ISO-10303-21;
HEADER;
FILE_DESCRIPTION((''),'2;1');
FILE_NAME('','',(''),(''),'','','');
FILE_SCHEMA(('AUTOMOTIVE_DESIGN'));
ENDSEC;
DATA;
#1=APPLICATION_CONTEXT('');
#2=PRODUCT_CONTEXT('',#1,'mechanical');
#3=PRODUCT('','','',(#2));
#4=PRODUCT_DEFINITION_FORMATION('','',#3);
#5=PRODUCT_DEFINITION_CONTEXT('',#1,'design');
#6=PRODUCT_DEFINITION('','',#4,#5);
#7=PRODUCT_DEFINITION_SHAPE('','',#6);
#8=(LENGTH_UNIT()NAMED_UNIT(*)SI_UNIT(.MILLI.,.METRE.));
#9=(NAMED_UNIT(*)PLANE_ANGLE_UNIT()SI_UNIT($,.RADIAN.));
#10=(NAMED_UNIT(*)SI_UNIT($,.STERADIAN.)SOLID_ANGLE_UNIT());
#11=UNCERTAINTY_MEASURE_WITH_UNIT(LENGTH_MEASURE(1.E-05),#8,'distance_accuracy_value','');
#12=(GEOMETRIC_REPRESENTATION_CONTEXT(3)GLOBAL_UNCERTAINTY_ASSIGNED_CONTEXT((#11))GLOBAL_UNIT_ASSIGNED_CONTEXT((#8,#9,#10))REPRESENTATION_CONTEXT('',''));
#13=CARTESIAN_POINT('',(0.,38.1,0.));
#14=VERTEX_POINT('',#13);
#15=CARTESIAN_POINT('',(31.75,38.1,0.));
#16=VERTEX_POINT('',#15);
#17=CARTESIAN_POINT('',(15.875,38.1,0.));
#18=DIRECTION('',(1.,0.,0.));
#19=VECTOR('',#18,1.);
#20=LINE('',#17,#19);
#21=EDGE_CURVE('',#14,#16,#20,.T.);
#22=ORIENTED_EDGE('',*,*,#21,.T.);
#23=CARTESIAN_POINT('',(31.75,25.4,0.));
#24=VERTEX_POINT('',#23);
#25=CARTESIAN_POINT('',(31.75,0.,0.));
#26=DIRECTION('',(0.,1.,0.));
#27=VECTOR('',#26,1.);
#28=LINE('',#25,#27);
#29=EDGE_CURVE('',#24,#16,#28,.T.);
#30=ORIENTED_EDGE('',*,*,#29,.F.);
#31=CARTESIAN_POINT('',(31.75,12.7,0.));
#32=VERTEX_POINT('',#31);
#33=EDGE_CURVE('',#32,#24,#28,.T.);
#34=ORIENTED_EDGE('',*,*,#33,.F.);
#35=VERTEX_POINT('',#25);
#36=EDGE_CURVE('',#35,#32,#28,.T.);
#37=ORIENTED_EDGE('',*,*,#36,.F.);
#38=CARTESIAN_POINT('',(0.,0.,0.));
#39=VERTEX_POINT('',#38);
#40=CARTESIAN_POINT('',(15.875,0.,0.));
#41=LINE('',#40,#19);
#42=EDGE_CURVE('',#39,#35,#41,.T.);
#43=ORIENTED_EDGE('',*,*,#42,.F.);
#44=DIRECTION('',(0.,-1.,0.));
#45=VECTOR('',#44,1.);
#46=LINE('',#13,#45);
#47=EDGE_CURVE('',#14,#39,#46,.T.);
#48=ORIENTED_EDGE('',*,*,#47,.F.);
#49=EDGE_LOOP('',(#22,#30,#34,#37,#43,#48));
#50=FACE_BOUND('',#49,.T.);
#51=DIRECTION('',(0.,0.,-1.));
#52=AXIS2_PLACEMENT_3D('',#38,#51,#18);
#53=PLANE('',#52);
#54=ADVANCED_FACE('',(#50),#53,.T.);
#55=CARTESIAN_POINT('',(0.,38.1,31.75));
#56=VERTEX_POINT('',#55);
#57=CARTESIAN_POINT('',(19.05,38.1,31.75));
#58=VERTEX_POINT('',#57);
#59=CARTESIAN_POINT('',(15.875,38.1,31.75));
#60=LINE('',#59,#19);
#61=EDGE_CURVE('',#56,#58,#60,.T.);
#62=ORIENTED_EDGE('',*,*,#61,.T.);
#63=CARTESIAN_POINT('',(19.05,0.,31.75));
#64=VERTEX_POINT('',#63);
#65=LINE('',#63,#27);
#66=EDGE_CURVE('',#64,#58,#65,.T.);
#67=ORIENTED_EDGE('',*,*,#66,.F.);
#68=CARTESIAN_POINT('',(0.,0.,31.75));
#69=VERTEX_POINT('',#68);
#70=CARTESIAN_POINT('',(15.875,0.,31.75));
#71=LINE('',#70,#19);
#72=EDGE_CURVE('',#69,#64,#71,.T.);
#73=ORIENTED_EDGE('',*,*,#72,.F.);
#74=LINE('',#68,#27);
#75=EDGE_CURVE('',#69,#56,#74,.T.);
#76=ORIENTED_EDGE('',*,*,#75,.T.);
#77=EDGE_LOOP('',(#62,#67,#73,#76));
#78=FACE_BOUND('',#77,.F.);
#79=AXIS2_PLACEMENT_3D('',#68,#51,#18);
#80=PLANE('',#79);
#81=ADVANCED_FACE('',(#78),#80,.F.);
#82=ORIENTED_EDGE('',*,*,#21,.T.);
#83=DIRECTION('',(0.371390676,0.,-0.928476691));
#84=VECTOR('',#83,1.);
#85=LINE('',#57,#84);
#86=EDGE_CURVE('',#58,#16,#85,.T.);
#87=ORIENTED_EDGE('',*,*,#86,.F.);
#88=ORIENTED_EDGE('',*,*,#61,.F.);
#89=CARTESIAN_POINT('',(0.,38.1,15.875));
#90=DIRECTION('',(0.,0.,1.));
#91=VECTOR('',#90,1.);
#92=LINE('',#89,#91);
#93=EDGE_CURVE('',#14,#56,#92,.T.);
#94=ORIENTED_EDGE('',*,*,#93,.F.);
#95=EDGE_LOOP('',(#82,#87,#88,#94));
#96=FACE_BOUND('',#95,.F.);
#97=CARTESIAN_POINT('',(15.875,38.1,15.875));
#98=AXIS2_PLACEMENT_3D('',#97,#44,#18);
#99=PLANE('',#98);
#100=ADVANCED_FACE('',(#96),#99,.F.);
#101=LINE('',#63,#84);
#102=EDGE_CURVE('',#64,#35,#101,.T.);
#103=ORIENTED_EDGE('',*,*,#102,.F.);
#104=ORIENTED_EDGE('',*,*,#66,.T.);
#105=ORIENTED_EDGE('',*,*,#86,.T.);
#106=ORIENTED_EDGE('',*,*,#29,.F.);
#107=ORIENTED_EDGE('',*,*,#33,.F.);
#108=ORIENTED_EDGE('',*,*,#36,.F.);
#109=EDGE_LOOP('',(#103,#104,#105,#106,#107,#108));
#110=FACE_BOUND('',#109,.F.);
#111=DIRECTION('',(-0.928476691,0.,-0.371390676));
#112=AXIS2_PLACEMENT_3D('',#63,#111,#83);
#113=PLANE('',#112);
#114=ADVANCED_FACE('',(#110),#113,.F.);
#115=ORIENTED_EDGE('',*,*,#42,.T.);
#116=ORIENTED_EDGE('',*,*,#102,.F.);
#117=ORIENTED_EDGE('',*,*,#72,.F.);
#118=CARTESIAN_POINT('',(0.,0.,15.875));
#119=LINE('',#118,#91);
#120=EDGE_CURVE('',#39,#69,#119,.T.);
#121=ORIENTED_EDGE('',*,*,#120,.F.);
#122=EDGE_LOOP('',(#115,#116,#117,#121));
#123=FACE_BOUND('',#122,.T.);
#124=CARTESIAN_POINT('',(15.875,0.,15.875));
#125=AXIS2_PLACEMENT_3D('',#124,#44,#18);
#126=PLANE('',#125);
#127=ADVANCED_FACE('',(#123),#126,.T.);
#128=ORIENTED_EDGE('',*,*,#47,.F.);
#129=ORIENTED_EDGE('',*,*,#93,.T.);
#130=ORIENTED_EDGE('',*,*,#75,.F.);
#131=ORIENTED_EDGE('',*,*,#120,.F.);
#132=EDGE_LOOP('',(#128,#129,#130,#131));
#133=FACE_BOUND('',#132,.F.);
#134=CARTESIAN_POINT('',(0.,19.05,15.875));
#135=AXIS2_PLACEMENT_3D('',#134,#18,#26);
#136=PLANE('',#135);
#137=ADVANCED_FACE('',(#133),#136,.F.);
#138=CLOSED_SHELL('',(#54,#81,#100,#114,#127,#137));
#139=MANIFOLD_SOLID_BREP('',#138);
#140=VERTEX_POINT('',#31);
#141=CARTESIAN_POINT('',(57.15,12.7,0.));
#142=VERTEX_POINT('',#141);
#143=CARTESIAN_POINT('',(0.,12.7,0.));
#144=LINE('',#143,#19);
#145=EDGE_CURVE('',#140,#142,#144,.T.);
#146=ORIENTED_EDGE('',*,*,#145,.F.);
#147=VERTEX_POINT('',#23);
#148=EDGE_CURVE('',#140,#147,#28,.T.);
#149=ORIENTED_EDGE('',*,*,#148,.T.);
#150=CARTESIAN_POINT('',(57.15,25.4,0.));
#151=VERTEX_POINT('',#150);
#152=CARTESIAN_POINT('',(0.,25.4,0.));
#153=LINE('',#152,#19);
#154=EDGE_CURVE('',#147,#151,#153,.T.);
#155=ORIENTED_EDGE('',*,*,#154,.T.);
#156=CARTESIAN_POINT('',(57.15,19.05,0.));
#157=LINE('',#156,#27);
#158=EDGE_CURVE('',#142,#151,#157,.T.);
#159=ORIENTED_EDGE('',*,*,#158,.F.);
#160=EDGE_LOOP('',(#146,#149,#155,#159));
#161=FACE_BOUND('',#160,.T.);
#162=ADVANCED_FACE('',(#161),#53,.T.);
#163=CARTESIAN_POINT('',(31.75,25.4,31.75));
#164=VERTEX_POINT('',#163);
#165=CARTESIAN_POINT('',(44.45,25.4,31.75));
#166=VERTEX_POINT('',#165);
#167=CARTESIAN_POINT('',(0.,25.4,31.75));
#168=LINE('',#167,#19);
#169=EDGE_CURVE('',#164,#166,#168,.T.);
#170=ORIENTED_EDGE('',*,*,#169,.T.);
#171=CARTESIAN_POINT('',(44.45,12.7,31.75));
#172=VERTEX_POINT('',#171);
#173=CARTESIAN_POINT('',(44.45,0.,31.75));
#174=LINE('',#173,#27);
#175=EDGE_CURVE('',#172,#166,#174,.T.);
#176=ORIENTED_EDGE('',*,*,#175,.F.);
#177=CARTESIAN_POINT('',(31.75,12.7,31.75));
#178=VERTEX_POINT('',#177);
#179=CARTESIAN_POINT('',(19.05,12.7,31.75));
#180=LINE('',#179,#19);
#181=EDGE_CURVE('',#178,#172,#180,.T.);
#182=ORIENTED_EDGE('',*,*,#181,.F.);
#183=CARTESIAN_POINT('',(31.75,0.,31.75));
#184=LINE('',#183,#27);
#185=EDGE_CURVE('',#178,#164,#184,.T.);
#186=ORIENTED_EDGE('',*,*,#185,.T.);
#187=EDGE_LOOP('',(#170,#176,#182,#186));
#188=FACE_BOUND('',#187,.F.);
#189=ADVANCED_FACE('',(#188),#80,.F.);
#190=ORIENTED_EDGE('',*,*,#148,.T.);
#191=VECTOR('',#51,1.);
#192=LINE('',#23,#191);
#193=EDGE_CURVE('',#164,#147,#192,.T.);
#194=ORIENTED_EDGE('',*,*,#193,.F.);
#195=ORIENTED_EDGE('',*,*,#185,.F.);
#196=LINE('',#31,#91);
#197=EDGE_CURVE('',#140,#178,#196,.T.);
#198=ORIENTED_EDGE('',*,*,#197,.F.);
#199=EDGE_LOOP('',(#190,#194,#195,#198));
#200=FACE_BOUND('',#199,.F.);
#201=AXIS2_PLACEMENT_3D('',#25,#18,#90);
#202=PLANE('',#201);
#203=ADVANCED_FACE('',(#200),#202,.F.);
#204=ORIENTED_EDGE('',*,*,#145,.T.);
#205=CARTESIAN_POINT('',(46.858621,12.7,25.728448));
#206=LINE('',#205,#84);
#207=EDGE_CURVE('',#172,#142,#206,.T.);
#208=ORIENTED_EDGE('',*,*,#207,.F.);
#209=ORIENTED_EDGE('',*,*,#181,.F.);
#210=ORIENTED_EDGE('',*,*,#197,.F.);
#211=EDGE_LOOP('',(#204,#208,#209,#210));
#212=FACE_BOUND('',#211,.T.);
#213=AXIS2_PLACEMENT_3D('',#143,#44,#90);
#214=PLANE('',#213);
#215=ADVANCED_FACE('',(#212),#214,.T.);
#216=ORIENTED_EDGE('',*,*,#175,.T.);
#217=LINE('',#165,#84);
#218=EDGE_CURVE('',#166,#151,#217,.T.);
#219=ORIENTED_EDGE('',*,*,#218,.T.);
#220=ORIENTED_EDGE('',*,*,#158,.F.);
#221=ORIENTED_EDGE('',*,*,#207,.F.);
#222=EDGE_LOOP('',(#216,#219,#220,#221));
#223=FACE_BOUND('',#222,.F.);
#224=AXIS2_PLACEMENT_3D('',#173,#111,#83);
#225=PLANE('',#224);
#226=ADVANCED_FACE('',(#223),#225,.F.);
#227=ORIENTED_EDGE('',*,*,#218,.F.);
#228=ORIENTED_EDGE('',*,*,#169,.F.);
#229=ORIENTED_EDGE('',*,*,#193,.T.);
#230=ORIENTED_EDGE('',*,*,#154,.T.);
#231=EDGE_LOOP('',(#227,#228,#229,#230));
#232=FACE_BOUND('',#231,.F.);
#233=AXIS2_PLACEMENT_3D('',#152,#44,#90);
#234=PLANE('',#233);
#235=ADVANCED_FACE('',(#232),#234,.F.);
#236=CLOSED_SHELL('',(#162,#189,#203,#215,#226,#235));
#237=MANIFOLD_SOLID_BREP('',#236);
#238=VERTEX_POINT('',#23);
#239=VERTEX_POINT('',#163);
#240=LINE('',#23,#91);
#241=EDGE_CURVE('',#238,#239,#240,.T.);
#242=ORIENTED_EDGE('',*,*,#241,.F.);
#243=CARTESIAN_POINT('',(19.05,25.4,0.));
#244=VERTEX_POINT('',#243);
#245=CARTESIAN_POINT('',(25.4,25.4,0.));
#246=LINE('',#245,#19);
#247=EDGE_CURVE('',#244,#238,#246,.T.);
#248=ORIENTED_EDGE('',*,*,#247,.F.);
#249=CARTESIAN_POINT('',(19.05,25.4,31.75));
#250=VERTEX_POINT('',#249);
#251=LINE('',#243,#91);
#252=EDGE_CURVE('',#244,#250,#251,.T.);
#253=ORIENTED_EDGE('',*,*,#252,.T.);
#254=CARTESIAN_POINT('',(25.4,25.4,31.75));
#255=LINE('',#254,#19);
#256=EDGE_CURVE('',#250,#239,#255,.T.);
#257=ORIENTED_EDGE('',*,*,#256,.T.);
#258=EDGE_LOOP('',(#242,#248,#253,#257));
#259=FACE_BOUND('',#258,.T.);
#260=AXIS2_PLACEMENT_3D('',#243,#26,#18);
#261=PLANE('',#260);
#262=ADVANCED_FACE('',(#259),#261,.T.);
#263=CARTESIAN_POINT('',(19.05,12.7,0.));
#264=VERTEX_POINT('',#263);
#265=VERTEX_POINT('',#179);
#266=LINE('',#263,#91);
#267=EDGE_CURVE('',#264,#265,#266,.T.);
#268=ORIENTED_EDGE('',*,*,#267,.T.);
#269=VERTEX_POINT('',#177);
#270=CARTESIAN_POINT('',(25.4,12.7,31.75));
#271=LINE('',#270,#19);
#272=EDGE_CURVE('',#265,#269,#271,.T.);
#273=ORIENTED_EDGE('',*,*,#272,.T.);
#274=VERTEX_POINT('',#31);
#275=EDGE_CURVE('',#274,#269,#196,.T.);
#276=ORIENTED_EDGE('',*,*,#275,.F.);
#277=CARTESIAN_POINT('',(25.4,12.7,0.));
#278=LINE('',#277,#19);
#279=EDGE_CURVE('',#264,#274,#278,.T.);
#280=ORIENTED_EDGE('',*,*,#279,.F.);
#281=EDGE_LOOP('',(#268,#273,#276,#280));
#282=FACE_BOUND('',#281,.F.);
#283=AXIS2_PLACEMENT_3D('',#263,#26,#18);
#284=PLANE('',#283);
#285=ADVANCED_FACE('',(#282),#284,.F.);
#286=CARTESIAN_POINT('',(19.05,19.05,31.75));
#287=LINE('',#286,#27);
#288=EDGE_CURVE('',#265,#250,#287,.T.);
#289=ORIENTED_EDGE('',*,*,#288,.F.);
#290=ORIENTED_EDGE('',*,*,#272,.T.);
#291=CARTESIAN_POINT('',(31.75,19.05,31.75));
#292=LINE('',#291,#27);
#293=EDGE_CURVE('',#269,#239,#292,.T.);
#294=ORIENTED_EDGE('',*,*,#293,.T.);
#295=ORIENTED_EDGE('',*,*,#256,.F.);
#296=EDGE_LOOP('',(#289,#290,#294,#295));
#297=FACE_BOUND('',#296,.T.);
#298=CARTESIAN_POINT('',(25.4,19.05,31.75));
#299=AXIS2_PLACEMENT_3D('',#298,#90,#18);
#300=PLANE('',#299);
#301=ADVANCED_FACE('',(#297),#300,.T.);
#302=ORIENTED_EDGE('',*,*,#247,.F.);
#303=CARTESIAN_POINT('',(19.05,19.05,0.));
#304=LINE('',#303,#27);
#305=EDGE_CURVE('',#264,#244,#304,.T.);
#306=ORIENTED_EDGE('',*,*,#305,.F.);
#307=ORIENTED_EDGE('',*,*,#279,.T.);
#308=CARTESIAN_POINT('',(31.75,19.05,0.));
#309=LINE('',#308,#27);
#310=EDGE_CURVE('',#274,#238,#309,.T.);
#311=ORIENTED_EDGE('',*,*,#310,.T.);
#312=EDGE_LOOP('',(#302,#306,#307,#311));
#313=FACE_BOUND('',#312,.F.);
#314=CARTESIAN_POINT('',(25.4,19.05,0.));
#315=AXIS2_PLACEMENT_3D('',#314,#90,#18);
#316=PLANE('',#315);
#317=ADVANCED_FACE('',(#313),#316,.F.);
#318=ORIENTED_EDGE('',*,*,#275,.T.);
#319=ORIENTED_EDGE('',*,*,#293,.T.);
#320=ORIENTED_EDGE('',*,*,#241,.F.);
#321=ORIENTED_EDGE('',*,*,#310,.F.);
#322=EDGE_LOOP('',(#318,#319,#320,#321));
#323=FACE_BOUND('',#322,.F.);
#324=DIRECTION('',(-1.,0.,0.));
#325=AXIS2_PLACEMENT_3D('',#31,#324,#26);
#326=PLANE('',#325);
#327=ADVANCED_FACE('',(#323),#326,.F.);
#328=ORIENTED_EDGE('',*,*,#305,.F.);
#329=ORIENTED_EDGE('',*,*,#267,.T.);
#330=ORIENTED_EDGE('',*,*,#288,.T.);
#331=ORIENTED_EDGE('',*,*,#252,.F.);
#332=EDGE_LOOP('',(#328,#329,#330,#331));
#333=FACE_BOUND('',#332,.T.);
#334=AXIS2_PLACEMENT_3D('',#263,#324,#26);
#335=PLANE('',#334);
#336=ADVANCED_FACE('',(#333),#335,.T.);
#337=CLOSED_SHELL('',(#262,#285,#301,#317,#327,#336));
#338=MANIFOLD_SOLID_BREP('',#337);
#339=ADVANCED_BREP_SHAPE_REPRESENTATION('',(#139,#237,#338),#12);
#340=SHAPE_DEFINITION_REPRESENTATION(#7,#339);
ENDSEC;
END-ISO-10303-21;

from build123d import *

# Parameters (mm, degrees)
F0_W      = 31.75
F0_H      = 31.75
F1_DEPTH  = 38.1
F2_W      = 12.7
F2_H      = 31.75
F3_DEPTH  = 57.15
F5_DEPTH  = 25.4
F7_DEPTH  = 12.7
F9_DEPTH  = 38.1
F10_W     = 12.7
F10_H     = 12.7
F11_DEPTH = 31.75


with BuildPart() as f1:
    # F0 (on Front) → F1 (new body)
    with BuildSketch(Plane.XZ):
        with Locations((15.875, 15.875)):
            Rectangle(F0_W, F0_H)
    extrude(amount=-F1_DEPTH)

    # F2 (on Right) → F3 (join)
    with BuildSketch(Plane.YZ):
        with Locations((19.05, 15.875)):
            Rectangle(F2_W, F2_H)
    extrude(amount=F3_DEPTH)

    # F4 (on Front) → F5 (cut)
    with BuildSketch(Plane.XZ):
        Polygon((57.15, 31.75), (44.45, 31.75), (57.15, 0), align=None)
    extrude(amount=-F5_DEPTH, mode=Mode.SUBTRACT)

    # F6 (on Front) → F7 (cut)
    with BuildSketch(Plane.XZ):
        Polygon((31.75, 31.75), (19.05, 31.75), (31.75, 0), align=None)
    extrude(amount=-F7_DEPTH, mode=Mode.SUBTRACT)

    # F8 (on Front) → F9 (cut)
    with BuildSketch(Plane.XZ):
        Polygon((19.05, 31.75), (31.75, 0), (31.75, 31.75), align=None)
    extrude(amount=-F9_DEPTH, mode=Mode.SUBTRACT)


with BuildPart() as f11:
    # F10 (on Top) → F11 (new body)
    with BuildSketch(Plane.XY):
        with Locations((25.4, 19.05)):
            Rectangle(F10_W, F10_H)
    extrude(amount=F11_DEPTH)


solid = Compound([f1.part, f11.part])
